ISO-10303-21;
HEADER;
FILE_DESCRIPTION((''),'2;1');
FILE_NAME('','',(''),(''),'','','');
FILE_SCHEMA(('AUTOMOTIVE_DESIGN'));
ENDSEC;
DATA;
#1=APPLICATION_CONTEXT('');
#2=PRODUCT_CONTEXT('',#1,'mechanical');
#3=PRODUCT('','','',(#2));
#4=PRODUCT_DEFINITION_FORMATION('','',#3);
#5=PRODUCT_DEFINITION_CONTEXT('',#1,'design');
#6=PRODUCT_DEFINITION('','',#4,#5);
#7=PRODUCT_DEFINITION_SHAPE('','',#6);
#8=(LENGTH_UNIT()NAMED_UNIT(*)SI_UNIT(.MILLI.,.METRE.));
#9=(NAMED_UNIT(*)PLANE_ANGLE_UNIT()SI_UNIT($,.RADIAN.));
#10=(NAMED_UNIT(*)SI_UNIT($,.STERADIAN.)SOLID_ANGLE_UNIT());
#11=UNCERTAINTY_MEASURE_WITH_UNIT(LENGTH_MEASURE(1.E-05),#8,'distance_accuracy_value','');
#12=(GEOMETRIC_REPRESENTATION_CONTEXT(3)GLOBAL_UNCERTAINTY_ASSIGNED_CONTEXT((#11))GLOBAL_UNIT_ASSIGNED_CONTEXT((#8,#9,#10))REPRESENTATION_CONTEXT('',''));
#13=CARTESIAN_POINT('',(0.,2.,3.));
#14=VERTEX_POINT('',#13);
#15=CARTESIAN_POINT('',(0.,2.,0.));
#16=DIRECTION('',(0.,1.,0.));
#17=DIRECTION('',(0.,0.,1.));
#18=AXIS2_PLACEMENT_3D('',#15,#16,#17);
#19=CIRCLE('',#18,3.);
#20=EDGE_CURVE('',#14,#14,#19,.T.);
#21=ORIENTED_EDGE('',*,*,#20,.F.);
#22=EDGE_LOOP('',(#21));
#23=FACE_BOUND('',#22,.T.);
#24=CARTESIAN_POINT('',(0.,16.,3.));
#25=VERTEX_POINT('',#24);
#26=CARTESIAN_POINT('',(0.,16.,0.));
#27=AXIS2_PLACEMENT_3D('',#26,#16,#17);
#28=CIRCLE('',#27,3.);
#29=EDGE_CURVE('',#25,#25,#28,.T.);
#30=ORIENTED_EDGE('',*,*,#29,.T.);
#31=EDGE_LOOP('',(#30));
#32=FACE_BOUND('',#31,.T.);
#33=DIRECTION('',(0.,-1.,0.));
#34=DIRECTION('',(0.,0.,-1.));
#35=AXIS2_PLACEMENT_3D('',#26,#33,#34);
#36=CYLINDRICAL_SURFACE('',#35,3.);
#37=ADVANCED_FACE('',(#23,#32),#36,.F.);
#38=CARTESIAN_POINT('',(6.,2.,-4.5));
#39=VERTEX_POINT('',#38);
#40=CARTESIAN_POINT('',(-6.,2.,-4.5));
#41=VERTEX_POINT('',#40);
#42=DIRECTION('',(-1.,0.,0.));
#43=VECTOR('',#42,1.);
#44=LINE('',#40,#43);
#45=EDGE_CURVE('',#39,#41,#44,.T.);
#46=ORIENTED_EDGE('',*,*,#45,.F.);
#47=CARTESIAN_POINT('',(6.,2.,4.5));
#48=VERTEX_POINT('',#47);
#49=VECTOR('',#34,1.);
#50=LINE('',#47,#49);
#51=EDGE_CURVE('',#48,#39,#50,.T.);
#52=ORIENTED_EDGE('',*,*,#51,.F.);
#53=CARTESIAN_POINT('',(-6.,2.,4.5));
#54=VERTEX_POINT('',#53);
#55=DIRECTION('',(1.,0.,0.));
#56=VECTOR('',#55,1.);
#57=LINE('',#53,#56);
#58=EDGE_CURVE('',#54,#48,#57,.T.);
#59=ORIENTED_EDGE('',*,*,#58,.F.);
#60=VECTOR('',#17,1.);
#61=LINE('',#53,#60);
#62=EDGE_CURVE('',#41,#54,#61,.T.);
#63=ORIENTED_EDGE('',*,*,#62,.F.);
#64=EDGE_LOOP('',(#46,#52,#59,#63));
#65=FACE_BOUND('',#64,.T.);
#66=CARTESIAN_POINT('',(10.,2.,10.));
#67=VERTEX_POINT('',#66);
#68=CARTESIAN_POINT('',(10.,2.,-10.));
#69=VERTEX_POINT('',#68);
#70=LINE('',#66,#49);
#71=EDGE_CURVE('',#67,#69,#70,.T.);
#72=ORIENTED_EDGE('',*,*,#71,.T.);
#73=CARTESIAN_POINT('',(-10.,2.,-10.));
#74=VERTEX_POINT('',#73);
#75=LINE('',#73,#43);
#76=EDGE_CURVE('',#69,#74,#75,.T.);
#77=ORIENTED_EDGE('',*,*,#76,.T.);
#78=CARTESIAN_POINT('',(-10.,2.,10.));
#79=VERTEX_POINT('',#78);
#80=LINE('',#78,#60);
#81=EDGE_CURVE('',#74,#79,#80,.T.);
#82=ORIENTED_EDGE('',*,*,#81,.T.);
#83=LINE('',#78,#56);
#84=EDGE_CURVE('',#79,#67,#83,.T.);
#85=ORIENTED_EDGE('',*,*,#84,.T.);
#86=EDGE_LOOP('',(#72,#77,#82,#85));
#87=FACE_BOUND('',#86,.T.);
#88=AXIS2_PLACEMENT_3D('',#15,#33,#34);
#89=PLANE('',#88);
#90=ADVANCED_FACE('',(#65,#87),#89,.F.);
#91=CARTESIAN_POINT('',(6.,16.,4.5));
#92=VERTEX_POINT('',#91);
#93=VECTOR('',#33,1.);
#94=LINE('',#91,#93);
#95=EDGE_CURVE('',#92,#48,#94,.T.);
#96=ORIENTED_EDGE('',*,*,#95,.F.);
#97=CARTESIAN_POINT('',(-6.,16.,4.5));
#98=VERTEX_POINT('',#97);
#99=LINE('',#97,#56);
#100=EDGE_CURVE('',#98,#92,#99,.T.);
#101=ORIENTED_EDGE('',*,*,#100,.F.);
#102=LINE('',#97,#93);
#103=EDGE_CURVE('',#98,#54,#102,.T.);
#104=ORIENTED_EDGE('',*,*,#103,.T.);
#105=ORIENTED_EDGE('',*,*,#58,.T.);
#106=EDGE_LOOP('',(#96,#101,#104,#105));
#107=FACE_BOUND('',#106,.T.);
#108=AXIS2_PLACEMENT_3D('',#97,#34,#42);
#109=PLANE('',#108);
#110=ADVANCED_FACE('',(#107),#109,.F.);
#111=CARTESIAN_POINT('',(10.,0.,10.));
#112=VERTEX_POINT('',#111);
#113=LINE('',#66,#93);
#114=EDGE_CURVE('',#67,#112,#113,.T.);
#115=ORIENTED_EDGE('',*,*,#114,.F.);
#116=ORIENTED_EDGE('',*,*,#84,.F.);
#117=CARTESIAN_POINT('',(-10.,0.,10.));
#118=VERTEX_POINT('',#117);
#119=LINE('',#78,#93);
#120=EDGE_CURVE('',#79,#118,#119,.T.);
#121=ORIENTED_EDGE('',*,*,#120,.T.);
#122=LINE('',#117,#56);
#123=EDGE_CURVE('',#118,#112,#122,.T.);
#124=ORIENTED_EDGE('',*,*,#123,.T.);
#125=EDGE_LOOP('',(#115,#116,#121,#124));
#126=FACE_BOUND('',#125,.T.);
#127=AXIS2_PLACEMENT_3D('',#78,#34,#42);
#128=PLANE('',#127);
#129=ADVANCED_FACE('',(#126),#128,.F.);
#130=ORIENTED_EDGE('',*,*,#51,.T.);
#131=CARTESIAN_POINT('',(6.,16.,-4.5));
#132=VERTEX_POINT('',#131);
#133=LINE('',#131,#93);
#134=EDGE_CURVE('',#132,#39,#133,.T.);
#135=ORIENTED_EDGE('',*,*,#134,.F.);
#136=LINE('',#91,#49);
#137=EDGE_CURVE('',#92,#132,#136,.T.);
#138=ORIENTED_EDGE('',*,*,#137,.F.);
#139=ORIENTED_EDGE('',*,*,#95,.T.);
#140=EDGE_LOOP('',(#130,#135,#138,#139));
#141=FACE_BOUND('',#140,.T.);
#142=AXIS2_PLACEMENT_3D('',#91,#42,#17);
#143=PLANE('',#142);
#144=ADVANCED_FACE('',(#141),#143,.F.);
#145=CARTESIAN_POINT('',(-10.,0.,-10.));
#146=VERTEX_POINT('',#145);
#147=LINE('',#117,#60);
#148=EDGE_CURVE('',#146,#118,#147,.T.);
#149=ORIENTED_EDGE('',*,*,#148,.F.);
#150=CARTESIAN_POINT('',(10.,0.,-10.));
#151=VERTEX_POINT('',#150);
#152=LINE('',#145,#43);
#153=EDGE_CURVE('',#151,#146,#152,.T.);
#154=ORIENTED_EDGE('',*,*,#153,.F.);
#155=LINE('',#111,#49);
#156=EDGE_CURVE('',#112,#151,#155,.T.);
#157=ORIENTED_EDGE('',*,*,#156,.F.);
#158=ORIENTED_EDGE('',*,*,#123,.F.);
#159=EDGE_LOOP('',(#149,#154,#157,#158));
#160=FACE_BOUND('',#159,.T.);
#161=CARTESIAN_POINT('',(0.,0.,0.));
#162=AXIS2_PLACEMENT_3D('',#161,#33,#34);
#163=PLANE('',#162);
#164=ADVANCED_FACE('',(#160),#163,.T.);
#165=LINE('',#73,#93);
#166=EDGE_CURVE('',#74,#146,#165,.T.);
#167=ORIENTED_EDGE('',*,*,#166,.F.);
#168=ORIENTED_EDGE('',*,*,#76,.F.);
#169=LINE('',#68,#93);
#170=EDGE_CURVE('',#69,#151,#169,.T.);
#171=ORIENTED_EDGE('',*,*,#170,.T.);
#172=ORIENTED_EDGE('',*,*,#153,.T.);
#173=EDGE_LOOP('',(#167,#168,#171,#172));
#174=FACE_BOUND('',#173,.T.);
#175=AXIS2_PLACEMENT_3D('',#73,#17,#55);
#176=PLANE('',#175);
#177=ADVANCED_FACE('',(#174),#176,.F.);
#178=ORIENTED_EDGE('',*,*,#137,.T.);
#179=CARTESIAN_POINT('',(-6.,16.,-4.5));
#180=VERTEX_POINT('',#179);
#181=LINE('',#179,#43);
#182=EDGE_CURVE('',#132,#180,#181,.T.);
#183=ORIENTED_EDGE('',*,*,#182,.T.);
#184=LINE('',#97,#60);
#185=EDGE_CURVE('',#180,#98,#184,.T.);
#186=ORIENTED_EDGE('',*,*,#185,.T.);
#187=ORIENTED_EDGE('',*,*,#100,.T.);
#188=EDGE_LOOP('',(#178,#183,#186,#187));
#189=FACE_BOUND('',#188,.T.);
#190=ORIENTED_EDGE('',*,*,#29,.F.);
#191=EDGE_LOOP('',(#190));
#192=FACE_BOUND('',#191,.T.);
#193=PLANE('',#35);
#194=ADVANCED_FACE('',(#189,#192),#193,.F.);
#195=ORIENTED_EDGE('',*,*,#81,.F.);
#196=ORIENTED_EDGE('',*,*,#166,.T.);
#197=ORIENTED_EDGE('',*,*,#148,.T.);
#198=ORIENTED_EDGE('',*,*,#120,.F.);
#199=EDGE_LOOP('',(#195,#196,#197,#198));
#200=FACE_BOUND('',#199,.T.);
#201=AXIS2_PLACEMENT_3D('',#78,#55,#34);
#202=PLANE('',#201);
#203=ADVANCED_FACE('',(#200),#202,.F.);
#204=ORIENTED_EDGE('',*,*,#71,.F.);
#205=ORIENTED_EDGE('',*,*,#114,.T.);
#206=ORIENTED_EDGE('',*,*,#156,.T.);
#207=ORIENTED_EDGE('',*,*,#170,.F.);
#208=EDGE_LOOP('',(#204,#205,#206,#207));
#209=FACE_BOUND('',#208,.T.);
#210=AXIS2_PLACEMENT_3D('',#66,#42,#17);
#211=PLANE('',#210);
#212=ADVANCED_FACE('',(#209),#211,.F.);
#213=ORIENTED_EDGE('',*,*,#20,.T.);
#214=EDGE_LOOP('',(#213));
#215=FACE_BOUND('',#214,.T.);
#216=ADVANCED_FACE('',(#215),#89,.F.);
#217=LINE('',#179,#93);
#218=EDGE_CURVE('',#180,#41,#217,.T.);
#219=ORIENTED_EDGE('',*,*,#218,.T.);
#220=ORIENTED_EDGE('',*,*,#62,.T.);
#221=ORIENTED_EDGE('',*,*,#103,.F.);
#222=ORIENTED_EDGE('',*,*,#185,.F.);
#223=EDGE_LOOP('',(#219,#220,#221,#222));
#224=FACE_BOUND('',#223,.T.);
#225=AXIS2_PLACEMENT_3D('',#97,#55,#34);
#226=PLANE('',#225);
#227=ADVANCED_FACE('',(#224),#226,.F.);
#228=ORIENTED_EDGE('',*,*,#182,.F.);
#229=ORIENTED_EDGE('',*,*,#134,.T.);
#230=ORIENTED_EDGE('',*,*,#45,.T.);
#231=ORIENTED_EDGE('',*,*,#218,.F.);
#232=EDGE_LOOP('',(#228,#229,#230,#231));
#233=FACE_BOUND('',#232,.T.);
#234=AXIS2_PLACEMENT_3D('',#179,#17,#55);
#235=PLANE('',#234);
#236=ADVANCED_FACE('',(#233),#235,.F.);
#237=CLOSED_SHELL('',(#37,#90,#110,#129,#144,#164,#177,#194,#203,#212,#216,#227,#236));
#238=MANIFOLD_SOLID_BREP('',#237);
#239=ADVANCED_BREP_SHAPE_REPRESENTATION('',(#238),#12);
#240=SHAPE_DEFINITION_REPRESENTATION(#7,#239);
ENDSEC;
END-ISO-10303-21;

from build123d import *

# Parameters (mm, degrees)
SKETCH_1_W      = 20
SKETCH_1_H      = 20
EXTRUDE_1_DEPTH = 2
SKETCH_2_W      = 12
SKETCH_2_H      = 9
SKETCH_2_R      = 3
EXTRUDE_2_DEPTH = 14


with BuildPart() as part:
    # 草图1 → 凸台-拉伸1 (new body)
    with BuildSketch(Plane(origin=(0, 0, 0), x_dir=(1, 0, 0), z_dir=(0, 1, 0))):
        Rectangle(SKETCH_1_W, SKETCH_1_H)
    extrude(amount=EXTRUDE_1_DEPTH)

    # 草图2 → 凸台-拉伸2 (add)
    with BuildSketch(Plane(origin=(0, 2, 0), x_dir=(1, 0, 0), z_dir=(0, 1, 0))):
        Rectangle(SKETCH_2_W, SKETCH_2_H)
        with Locations(Location((0, 0, 0), (0, 0, 270))):
            Circle(SKETCH_2_R, mode=Mode.SUBTRACT)
    extrude(amount=EXTRUDE_2_DEPTH)


solid = part.part
